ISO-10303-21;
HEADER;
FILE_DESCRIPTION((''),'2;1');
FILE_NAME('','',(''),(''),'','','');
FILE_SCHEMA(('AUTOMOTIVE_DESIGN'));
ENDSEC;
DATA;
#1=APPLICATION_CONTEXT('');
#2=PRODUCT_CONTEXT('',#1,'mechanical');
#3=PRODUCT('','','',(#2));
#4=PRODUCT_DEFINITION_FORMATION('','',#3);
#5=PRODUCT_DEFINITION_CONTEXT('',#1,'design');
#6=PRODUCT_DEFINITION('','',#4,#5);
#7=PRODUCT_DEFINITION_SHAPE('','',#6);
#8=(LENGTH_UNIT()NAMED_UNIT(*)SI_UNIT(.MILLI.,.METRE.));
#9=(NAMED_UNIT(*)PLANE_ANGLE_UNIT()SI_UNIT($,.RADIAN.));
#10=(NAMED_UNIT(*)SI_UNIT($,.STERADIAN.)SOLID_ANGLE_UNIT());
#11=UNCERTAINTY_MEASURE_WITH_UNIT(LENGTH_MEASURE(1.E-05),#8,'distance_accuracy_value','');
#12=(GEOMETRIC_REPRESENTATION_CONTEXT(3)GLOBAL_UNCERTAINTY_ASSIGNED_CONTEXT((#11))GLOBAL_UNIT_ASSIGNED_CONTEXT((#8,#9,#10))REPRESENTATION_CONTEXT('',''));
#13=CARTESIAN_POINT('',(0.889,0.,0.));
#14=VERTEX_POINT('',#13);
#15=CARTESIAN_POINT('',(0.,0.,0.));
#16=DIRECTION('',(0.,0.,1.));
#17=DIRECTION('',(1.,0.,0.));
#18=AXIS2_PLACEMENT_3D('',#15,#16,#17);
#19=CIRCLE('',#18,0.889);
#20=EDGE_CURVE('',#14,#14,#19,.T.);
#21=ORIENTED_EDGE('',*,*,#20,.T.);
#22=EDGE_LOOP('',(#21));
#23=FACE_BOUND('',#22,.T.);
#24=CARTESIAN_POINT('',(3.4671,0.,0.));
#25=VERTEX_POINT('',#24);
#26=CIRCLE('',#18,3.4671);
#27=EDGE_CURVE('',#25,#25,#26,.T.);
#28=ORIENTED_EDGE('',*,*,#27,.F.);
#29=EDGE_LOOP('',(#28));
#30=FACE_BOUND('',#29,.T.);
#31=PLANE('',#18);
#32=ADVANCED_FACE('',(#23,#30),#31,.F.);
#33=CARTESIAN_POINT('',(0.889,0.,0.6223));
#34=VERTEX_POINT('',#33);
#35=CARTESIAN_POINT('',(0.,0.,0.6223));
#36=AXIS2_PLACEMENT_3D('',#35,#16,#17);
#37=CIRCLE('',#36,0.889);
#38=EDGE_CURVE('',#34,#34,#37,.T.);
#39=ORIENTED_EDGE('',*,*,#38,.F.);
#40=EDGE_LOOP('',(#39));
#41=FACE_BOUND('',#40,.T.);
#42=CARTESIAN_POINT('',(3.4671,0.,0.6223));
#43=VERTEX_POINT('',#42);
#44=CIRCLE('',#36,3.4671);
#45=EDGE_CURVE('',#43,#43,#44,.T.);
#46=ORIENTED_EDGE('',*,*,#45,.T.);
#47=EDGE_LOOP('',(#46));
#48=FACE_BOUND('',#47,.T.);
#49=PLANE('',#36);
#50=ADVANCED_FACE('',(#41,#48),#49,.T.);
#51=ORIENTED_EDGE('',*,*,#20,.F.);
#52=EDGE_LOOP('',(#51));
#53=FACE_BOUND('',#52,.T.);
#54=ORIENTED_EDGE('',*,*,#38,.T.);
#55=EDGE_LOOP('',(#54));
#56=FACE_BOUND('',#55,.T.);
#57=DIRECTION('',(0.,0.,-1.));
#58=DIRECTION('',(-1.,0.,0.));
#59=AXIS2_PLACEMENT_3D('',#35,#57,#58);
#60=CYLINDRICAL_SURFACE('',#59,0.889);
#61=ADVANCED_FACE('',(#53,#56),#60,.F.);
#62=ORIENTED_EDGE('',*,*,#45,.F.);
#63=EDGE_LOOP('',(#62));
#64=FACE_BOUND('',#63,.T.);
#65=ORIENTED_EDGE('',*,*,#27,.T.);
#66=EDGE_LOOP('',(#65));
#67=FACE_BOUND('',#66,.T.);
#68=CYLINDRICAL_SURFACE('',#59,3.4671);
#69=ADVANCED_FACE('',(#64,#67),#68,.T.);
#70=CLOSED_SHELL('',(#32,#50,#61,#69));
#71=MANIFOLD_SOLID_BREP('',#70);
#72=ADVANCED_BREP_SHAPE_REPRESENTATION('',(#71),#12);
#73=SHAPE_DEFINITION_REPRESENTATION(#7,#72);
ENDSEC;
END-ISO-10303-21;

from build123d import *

# Parameters (mm, degrees)
SKETCH1_R   = 3.4671
SKETCH1_R_2 = 0.889
PLATE_DEPTH = 0.6223


with BuildPart() as part:
    # Sketch1 → Plate (new body)
    with BuildSketch(Plane.XY):
        Circle(SKETCH1_R)
        Circle(SKETCH1_R_2, mode=Mode.SUBTRACT)
    extrude(amount=PLATE_DEPTH)


solid = part.part
